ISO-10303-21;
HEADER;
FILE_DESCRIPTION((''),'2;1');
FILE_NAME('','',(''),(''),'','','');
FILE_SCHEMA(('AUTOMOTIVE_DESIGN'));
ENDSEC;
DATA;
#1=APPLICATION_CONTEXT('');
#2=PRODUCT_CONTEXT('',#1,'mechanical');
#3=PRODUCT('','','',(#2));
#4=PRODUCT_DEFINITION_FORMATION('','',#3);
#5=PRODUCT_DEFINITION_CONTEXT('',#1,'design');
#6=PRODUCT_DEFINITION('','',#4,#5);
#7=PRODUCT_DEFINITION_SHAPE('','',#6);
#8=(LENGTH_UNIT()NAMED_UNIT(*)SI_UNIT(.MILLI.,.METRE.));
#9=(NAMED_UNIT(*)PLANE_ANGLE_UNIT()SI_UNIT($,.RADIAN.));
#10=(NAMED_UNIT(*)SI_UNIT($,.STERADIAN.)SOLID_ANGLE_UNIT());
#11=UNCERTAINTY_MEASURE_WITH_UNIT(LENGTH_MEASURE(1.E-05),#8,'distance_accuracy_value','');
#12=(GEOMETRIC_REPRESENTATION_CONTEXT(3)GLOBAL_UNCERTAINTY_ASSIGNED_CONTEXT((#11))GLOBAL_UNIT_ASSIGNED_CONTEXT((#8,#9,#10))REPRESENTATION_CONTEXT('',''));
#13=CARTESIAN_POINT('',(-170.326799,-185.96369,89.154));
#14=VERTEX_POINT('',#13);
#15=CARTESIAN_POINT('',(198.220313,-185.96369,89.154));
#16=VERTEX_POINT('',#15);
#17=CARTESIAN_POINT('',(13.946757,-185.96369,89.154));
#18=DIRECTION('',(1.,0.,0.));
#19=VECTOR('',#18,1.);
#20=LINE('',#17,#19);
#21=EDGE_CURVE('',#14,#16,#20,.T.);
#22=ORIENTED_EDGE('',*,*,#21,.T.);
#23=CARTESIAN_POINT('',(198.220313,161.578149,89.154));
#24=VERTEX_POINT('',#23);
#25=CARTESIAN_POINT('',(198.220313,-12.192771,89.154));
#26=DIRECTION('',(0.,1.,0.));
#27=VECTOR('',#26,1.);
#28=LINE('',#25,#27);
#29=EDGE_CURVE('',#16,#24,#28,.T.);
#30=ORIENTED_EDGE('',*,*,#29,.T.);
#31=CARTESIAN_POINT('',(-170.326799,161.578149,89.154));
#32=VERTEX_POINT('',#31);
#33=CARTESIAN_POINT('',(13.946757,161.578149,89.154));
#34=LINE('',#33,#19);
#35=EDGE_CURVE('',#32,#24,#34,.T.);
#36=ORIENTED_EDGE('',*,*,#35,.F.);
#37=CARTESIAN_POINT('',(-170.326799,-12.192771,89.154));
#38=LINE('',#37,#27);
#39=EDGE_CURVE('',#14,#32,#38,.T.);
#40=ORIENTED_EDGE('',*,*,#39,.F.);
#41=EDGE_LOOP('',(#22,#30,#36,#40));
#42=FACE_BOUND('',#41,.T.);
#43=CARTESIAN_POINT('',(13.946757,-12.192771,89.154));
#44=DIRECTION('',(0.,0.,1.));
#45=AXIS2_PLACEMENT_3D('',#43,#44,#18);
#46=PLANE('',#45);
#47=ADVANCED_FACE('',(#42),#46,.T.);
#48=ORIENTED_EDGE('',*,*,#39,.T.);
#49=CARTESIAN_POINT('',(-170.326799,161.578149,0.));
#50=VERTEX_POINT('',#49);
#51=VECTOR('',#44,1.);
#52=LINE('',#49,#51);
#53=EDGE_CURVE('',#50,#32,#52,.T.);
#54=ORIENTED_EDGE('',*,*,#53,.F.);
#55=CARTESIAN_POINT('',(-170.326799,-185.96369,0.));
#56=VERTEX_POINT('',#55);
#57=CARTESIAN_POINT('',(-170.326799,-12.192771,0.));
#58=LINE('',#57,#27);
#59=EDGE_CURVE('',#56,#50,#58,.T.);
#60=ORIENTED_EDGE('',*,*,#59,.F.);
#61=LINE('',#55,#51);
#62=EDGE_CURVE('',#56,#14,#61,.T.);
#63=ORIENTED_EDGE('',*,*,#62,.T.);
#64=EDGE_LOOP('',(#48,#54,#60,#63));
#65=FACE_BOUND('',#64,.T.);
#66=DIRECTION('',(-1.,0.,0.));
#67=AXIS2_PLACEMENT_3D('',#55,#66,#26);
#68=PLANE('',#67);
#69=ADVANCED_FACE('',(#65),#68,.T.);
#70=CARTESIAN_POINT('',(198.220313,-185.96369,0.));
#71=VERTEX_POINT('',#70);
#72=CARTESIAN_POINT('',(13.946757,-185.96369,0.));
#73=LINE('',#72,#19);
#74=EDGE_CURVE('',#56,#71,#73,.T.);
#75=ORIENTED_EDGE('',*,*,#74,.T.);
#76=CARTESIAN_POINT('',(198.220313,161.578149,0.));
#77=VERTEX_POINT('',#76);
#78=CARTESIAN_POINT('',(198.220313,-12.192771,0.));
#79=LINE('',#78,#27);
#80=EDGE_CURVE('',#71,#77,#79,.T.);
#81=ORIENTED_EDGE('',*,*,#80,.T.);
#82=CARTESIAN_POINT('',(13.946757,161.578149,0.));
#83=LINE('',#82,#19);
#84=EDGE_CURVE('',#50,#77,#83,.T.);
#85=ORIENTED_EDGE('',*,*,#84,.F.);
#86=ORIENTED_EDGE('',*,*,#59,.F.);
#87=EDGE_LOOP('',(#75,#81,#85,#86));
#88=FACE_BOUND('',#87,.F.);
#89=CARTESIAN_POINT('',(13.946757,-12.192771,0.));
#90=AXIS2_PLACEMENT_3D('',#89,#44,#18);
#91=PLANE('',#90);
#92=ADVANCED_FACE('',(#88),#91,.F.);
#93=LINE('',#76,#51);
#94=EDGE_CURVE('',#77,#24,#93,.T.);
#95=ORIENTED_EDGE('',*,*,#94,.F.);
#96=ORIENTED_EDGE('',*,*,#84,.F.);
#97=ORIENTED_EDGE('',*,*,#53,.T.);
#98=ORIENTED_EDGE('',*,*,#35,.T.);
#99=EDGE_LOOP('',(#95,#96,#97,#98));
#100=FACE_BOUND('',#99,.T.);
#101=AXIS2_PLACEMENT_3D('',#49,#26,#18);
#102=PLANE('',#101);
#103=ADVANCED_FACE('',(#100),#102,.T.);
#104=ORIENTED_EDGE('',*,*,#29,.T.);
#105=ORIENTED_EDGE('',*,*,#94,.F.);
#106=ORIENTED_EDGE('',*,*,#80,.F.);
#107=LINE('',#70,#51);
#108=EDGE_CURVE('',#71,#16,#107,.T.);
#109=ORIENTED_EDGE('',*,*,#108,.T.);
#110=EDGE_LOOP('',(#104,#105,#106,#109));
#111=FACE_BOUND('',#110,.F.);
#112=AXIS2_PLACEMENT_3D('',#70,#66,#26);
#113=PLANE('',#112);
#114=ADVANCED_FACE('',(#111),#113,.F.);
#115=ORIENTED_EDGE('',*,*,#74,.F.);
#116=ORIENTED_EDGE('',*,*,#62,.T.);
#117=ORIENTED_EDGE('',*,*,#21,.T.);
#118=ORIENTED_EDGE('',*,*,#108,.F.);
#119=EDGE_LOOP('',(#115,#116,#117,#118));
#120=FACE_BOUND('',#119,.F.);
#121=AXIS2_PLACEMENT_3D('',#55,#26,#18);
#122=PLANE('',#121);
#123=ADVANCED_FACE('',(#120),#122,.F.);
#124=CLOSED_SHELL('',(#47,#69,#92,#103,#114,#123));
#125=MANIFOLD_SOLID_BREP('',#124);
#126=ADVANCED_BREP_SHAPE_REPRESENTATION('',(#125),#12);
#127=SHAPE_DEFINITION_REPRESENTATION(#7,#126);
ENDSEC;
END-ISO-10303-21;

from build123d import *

# Parameters (mm, degrees)
F2_W     = 34.4924107194
F2_H     = 39.9694368243
F6_R     = 9.1678743737
F8_W     = 368.5471117496
F8_H     = 347.5418388844
F9_DEPTH = 89.154


with BuildPart() as f3:
    # F3: sweep along a path in F0
    with BuildLine(Plane.XY) as f3_path:
        Line((-37.1106676757, -57.3247820139), (0, 39.8538187146))
        Line((0, 39.8538187146), (-42.0641675591, 72.9140937328))
        Line((-42.0641675591, 72.9140937328), (-42.0641675591, 105.7876199484))
    # F2 (on line) → F3 (sweep)
    with BuildSketch(Plane(origin=(-23.8282636841, -62.3970806143, 0), x_dir=(-0.9341988082, 0.3567528371, 0), z_dir=(0.3567528371, 0.9341988082, 0))):
        with Locations((-17.2462053597, 19.9847184122)):
            Rectangle(F2_W, F2_H)
    sweep(path=f3_path.line, transition=Transition.RIGHT)

    # F7: sweep along a path in F4
    with BuildLine(Plane(origin=(0, 0, 0), x_dir=(-0.3567528371, -0.9341988082, 0), z_dir=(-0.9341988082, 0.3567528371, 0))) as f7_path:
        Line((0, 15.3567641973), (36.2190231681, 39.9694368243))
        Line((36.2190231681, 39.9694368243), (59.6153741626, 55.8684500313))
    # F6 (on line) → F7 (sweep, cut)
    with BuildSketch(Plane(origin=(-15.4680950091, -40.5050063247, 29.4639817913), x_dir=(0.9554756476, -0.2386174907, 0.1735741341), z_dir=(-0.2950699695, -0.7726750432, 0.5620560387))):
        with Locations((10.3273540735, 12.5466436148)):
            Circle(F6_R)
    sweep(path=f7_path.line, mode=Mode.SUBTRACT)

    # F8 (on Top) → F9 (join)
    with BuildSketch(Plane.XY):
        with Locations((13.9467567205, -12.1927708387)):
            Rectangle(F8_W, F8_H)
    extrude(amount=F9_DEPTH)


solid = f3.part
